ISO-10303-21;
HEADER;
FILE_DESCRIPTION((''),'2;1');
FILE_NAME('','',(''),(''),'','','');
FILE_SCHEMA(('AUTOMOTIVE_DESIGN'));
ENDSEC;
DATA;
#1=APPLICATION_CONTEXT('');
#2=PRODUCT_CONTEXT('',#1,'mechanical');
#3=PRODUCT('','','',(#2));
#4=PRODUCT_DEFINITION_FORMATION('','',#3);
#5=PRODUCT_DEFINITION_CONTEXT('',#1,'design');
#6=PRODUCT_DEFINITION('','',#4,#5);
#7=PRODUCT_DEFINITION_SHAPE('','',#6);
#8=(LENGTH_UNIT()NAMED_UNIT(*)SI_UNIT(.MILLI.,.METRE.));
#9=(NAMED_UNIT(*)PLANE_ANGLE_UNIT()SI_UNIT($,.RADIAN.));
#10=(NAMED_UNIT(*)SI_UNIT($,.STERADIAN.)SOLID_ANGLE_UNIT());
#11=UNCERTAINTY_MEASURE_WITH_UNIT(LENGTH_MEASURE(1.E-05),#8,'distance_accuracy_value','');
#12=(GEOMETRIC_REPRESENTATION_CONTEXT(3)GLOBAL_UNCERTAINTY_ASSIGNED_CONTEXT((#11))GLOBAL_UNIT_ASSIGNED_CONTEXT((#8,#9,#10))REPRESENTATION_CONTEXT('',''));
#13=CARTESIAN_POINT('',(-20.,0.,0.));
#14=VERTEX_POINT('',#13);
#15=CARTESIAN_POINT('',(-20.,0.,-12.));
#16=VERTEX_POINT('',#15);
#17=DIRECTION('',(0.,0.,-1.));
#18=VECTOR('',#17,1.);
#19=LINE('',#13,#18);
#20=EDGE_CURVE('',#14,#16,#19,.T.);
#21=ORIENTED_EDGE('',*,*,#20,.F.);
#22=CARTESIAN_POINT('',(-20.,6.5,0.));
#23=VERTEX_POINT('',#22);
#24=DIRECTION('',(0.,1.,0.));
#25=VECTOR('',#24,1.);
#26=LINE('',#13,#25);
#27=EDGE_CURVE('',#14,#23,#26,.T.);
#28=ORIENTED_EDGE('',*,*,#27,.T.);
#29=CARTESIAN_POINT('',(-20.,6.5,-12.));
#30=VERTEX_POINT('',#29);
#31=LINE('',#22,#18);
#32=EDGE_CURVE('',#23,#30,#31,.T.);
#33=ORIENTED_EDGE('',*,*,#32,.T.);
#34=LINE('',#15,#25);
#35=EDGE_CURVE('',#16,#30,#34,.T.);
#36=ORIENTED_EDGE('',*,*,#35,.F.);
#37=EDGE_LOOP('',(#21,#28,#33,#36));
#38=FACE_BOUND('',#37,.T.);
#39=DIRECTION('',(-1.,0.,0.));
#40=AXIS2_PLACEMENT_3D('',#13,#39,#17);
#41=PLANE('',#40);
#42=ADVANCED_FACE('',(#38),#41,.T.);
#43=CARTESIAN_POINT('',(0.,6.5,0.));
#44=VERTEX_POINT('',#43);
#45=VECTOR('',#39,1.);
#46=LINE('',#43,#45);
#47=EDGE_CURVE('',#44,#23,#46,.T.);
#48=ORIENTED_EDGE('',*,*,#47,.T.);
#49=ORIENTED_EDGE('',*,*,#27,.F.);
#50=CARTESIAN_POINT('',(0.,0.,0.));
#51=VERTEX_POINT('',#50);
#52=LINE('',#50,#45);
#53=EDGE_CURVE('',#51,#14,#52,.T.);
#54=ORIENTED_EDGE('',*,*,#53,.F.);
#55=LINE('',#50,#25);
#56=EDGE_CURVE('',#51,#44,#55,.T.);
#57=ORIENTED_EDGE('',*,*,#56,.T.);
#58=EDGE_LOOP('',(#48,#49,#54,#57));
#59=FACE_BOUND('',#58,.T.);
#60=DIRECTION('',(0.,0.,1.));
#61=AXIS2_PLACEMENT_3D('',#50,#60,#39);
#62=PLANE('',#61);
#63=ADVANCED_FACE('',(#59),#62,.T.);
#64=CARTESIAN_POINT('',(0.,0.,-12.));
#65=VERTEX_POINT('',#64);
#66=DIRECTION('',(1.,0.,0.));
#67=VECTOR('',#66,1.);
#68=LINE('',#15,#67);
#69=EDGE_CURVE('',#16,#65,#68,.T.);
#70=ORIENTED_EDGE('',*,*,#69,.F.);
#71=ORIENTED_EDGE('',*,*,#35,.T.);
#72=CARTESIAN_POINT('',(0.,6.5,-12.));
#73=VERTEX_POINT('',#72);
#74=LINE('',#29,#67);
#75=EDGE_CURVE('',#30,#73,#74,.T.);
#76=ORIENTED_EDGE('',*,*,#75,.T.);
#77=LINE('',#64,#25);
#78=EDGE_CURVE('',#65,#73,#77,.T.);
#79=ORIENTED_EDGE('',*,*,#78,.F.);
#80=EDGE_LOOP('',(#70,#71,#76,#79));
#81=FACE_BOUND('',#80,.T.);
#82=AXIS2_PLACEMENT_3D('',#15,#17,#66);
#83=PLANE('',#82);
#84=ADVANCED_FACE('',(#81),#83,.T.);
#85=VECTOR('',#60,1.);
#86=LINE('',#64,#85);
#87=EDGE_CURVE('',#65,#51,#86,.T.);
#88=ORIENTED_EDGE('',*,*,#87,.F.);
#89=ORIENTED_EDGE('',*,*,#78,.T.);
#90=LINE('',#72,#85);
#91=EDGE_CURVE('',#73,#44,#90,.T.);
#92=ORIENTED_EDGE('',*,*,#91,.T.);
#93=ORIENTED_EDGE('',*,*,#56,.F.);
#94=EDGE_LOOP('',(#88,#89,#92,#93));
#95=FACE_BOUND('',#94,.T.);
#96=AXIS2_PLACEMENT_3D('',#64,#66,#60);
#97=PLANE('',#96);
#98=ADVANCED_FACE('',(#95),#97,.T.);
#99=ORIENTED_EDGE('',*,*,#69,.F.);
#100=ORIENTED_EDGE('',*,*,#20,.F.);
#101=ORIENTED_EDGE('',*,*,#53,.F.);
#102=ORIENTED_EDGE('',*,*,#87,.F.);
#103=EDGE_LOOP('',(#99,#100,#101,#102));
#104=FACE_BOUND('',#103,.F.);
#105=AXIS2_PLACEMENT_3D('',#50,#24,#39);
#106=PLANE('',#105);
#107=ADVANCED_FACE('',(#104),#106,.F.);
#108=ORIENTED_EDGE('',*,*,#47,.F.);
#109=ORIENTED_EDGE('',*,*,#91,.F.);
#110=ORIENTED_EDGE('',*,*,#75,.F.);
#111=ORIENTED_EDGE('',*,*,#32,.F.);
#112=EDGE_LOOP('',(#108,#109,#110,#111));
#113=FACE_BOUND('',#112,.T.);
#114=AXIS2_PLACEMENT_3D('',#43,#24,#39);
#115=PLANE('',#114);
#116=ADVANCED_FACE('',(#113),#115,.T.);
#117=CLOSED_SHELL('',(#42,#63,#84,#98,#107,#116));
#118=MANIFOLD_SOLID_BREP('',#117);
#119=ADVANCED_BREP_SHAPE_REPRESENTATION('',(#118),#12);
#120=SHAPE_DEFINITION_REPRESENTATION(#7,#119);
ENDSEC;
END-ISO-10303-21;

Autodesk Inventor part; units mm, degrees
ref_plane "YZ Plane" through (0, 0, 0) normal (1, 0, 0) x (0, 1, 0)
ref_plane "XZ Plane" through (0, 0, 0) normal (0, 1, 0) x (-1, 0, 0)
ref_plane "XY Plane" through (0, 0, 0) normal (0, 0, 1) x (1, 0, 0)
sketch "Sketch1" plane through (0, 0, 0) normal (0, 1, 0) x (-1, 0, 0)
  line L0 (0, 0) -> (20, 0)
  line L1 (20, 0) -> (20, -12)
  line L2 (20, -12) -> (0, -12)
  line L3 (0, -12) -> (0, 0)
  dimension "d0" = 20
  dimension "d1" = 12
extrude "Extrusion1" add sketch "Sketch1" along normal blind 6.5
properties part number "Puente H"
